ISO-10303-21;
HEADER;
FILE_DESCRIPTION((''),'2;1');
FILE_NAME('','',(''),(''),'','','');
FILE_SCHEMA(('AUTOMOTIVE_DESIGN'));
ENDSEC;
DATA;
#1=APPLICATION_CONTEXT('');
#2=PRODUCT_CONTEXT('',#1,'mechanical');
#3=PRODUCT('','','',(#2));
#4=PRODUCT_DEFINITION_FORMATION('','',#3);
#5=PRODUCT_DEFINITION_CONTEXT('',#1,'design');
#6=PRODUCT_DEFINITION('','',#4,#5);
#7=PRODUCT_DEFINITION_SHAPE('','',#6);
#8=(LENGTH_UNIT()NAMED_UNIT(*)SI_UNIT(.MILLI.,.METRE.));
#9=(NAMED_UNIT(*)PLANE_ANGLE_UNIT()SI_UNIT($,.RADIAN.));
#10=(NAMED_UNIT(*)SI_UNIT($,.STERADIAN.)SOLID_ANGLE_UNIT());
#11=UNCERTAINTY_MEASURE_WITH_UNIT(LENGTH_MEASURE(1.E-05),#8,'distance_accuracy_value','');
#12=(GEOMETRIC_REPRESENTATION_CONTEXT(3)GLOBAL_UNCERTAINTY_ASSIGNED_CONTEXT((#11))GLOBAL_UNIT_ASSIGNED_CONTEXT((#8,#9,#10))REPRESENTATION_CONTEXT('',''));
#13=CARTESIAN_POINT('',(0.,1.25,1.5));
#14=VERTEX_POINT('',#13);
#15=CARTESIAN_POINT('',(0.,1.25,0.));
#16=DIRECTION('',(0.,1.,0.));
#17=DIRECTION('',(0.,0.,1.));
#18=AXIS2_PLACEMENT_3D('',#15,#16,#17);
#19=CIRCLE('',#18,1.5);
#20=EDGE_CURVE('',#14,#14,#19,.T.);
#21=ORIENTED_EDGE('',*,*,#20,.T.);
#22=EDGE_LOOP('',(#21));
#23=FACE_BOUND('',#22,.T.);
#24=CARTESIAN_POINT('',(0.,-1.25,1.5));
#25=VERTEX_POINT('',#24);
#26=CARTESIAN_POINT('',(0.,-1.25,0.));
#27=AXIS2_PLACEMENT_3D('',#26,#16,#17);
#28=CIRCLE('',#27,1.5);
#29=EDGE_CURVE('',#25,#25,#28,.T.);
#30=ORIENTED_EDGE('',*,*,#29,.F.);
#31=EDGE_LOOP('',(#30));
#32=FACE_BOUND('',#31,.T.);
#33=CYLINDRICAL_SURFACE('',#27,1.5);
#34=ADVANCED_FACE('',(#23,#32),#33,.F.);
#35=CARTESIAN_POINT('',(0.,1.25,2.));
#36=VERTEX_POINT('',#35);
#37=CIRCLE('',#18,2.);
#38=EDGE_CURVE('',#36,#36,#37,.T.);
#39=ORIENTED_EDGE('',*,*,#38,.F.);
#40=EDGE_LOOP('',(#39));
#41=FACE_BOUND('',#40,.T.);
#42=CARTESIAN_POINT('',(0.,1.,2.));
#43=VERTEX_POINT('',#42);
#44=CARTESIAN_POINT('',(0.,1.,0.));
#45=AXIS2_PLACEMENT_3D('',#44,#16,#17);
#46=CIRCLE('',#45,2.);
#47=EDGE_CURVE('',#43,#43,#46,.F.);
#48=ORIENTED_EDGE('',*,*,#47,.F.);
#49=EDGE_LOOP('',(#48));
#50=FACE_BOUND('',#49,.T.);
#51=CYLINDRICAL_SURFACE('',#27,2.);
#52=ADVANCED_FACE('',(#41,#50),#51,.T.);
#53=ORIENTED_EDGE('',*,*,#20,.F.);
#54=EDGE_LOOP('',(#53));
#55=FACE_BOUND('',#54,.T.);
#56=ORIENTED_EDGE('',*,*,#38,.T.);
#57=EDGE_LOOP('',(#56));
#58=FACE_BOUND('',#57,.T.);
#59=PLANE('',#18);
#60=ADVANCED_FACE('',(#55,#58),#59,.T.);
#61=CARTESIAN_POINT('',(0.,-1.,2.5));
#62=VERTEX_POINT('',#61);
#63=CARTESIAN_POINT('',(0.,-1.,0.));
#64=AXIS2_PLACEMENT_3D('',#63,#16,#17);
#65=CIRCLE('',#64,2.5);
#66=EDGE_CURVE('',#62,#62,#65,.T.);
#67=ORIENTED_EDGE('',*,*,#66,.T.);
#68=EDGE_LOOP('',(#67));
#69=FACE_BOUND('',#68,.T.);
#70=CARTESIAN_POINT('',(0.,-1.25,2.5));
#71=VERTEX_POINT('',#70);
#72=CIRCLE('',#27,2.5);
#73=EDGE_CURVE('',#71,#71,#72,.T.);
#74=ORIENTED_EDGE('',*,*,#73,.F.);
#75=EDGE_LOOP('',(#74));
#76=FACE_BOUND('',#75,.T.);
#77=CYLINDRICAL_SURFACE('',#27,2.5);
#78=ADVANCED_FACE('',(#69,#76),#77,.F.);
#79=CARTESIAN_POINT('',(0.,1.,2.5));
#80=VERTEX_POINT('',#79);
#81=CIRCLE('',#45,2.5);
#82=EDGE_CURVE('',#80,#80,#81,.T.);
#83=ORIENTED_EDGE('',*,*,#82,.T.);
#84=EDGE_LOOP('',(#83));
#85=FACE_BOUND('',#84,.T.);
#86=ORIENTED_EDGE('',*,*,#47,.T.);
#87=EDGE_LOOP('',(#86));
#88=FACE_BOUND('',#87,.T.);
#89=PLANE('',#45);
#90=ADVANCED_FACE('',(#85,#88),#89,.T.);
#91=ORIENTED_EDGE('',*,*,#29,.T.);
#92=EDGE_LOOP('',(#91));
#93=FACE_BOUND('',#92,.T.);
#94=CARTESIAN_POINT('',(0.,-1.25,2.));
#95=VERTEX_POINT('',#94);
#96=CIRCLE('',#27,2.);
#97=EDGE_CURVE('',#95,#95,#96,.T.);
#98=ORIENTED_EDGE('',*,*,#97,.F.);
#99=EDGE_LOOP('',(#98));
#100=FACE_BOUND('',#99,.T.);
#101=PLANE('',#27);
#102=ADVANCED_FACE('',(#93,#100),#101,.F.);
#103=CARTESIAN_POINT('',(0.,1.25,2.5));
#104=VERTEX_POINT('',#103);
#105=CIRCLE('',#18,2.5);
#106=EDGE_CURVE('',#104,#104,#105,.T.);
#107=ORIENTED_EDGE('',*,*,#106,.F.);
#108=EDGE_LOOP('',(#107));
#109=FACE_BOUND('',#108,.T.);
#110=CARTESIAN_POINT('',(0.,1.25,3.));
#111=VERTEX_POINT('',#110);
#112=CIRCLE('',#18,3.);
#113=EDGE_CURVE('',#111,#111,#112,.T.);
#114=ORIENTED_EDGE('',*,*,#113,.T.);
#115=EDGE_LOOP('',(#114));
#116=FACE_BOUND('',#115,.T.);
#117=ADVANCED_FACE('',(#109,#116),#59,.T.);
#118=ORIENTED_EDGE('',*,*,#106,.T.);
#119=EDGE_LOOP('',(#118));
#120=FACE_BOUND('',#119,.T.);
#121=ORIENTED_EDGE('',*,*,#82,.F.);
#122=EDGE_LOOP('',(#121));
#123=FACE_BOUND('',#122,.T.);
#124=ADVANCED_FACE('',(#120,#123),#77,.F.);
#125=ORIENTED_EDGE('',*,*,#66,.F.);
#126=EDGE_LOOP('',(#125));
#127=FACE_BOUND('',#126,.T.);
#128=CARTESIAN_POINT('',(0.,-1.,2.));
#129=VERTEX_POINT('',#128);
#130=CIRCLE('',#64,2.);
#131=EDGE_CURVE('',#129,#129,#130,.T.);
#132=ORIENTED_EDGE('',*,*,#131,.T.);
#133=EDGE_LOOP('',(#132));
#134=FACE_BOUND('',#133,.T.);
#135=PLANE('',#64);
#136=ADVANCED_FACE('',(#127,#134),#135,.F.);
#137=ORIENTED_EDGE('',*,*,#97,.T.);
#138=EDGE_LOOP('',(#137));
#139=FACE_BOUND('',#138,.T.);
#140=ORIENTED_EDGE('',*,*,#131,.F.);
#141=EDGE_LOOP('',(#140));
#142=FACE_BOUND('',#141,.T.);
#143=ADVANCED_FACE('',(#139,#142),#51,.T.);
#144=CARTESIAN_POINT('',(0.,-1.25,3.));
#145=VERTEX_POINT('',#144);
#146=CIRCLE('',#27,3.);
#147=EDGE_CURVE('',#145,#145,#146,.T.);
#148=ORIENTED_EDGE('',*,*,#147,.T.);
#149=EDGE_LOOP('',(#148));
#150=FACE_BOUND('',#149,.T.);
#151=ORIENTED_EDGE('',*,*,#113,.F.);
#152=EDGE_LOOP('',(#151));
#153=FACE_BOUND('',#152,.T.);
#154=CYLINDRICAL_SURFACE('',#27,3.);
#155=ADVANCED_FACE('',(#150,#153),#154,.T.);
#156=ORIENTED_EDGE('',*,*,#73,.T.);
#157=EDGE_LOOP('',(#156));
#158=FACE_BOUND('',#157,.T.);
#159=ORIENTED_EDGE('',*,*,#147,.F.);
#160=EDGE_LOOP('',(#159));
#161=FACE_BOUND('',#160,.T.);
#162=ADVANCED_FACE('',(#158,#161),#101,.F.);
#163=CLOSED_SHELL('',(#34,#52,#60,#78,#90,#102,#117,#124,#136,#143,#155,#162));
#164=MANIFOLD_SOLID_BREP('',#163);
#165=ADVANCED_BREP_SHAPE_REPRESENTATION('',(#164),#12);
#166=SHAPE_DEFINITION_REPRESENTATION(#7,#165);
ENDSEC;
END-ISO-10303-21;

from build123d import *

# Parameters (mm, degrees)
EXTRUDE_1_DEPTH      = 1.25
EXTRUDE_1_DEPTH_BACK = 1.25
SKETCH_1_R           = 2
SKETCH_1_R_2         = 1.5
EXTRUDE_2_DEPTH      = 1
EXTRUDE_2_DEPTH_BACK = 1
SKETCH_2_R           = 2.5
SKETCH_2_R_2         = 2
EXTRUDE_3_DEPTH      = 1.25
EXTRUDE_3_DEPTH_BACK = 1.25
SKETCH_3_R           = 3
SKETCH_3_R_2         = 2.5


with BuildPart() as part:
    # 草图1 → 凸台-拉伸1 (new, two sides: drawn at the far end of the back side and taken through both)
    with BuildSketch(Plane(origin=(0, 0, 0), x_dir=(1, 0, 0), z_dir=(0, 1, 0)).offset(-EXTRUDE_1_DEPTH_BACK)):
        Circle(SKETCH_1_R)
        Circle(SKETCH_1_R_2, mode=Mode.SUBTRACT)
    extrude(amount=EXTRUDE_1_DEPTH + EXTRUDE_1_DEPTH_BACK)

    # 草图2 → 凸台-拉伸2 (add, two sides: drawn at the far end of the back side and taken through both)
    with BuildSketch(Plane(origin=(0, 0, 0), x_dir=(1, 0, 0), z_dir=(0, 1, 0)).offset(-EXTRUDE_2_DEPTH_BACK)):
        Circle(SKETCH_2_R)
        Circle(SKETCH_2_R_2, mode=Mode.SUBTRACT)
    extrude(amount=EXTRUDE_2_DEPTH + EXTRUDE_2_DEPTH_BACK)

    # 草图3 → 凸台-拉伸3 (add, two sides: drawn at the far end of the back side and taken through both)
    with BuildSketch(Plane(origin=(0, 0, 0), x_dir=(1, 0, 0), z_dir=(0, 1, 0)).offset(-EXTRUDE_3_DEPTH_BACK)):
        Circle(SKETCH_3_R)
        Circle(SKETCH_3_R_2, mode=Mode.SUBTRACT)
    extrude(amount=EXTRUDE_3_DEPTH + EXTRUDE_3_DEPTH_BACK)


solid = part.part
